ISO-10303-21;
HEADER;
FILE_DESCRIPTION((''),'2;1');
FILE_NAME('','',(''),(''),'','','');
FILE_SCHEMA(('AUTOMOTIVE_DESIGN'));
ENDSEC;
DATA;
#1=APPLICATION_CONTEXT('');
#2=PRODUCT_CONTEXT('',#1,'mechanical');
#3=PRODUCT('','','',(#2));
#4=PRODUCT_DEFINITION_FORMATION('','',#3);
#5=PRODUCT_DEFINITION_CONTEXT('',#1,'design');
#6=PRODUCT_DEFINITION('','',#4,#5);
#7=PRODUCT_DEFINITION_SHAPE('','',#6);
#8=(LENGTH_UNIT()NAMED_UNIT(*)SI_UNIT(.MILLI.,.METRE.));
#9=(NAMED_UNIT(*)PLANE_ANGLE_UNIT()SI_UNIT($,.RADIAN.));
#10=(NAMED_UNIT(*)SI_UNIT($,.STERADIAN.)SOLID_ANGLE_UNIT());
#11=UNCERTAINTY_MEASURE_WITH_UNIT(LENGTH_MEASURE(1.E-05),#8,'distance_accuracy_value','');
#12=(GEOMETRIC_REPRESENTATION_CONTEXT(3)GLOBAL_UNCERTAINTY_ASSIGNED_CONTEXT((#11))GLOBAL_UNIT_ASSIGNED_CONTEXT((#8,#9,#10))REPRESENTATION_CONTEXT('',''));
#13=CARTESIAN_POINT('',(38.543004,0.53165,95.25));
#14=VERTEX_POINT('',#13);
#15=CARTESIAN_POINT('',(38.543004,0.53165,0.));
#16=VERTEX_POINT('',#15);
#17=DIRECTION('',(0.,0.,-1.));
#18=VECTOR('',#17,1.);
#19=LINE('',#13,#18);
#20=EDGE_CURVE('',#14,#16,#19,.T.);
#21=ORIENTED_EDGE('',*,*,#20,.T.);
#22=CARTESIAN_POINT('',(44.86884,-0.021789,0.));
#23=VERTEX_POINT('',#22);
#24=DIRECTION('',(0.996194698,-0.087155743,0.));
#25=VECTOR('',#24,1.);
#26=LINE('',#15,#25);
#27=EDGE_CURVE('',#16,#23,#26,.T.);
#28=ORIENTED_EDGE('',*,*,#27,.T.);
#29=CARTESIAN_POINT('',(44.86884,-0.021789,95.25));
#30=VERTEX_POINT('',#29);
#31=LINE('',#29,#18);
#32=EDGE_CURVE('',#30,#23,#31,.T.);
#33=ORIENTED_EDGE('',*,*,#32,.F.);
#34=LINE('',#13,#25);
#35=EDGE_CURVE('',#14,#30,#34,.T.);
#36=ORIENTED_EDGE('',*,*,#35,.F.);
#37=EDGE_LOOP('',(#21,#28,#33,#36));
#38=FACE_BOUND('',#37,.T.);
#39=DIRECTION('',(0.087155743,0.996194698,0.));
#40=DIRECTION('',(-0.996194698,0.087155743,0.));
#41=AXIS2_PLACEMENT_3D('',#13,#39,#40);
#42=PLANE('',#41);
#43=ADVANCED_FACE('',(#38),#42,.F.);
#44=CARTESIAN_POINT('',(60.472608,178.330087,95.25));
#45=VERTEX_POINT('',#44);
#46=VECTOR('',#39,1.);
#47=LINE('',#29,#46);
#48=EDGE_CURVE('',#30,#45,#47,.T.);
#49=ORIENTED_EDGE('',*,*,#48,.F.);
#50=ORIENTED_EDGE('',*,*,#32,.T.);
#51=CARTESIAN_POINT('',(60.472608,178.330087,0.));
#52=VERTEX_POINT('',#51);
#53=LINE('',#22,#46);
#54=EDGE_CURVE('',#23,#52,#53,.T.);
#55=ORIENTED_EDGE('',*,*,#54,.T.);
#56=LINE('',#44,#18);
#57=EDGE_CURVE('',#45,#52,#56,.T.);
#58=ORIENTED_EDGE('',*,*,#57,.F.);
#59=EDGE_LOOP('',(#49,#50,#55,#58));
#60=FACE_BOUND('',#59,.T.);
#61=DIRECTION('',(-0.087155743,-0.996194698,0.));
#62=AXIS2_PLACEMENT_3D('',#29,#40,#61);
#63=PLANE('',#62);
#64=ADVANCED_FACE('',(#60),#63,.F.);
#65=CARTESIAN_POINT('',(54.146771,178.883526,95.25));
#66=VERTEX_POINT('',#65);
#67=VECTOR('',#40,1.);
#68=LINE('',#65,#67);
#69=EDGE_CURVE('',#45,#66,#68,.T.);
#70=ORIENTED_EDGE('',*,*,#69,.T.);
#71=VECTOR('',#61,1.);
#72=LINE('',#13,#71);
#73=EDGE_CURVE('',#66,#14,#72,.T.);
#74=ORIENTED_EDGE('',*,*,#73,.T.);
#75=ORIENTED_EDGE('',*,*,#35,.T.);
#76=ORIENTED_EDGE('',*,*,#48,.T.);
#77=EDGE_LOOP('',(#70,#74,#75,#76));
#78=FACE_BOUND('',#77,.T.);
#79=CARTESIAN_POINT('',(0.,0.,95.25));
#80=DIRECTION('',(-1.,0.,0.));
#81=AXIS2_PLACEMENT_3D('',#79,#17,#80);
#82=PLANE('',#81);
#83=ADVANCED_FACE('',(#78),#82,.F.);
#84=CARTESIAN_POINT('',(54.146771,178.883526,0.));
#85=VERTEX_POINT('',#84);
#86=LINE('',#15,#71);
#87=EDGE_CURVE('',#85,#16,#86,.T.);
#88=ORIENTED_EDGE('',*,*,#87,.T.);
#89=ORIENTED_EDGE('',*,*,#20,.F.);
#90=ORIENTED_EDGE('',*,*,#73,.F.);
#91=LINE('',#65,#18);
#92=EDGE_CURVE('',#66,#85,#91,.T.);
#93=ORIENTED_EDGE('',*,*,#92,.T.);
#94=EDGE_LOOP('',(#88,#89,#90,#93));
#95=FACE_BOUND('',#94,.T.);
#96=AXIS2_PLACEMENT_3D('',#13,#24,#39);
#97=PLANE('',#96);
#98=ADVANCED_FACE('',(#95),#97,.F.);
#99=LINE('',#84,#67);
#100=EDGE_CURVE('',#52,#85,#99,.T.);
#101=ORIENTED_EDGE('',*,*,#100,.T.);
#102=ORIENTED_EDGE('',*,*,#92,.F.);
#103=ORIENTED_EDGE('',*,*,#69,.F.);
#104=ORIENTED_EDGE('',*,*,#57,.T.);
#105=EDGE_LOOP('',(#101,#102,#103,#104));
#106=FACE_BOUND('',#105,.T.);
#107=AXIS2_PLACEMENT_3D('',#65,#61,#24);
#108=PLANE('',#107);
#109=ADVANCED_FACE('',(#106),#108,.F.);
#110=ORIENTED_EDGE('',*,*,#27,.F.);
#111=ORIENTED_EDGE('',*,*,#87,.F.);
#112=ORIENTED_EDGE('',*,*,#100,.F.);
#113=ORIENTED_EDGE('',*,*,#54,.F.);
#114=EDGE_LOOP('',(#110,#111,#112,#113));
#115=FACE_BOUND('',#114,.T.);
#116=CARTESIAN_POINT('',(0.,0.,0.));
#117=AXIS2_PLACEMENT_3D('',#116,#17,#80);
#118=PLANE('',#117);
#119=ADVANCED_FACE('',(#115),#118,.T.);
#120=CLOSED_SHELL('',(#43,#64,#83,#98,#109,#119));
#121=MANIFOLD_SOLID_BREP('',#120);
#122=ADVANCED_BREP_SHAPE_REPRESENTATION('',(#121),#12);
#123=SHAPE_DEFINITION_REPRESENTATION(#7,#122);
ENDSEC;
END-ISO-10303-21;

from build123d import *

# Parameters (mm, degrees)
BOSS_EXTRUDE1_DEPTH = 95.25


with BuildPart() as part:
    # Sketch2 → Boss-Extrude1 (new body)
    with BuildSketch(Plane.XY):
        Polygon((38.54300412, 0.531650031), (44.868840453, -0.021788936), (60.472607749, 178.330087371), (54.146771416, 178.883526338), align=None)
    extrude(amount=BOSS_EXTRUDE1_DEPTH)


solid = part.part
